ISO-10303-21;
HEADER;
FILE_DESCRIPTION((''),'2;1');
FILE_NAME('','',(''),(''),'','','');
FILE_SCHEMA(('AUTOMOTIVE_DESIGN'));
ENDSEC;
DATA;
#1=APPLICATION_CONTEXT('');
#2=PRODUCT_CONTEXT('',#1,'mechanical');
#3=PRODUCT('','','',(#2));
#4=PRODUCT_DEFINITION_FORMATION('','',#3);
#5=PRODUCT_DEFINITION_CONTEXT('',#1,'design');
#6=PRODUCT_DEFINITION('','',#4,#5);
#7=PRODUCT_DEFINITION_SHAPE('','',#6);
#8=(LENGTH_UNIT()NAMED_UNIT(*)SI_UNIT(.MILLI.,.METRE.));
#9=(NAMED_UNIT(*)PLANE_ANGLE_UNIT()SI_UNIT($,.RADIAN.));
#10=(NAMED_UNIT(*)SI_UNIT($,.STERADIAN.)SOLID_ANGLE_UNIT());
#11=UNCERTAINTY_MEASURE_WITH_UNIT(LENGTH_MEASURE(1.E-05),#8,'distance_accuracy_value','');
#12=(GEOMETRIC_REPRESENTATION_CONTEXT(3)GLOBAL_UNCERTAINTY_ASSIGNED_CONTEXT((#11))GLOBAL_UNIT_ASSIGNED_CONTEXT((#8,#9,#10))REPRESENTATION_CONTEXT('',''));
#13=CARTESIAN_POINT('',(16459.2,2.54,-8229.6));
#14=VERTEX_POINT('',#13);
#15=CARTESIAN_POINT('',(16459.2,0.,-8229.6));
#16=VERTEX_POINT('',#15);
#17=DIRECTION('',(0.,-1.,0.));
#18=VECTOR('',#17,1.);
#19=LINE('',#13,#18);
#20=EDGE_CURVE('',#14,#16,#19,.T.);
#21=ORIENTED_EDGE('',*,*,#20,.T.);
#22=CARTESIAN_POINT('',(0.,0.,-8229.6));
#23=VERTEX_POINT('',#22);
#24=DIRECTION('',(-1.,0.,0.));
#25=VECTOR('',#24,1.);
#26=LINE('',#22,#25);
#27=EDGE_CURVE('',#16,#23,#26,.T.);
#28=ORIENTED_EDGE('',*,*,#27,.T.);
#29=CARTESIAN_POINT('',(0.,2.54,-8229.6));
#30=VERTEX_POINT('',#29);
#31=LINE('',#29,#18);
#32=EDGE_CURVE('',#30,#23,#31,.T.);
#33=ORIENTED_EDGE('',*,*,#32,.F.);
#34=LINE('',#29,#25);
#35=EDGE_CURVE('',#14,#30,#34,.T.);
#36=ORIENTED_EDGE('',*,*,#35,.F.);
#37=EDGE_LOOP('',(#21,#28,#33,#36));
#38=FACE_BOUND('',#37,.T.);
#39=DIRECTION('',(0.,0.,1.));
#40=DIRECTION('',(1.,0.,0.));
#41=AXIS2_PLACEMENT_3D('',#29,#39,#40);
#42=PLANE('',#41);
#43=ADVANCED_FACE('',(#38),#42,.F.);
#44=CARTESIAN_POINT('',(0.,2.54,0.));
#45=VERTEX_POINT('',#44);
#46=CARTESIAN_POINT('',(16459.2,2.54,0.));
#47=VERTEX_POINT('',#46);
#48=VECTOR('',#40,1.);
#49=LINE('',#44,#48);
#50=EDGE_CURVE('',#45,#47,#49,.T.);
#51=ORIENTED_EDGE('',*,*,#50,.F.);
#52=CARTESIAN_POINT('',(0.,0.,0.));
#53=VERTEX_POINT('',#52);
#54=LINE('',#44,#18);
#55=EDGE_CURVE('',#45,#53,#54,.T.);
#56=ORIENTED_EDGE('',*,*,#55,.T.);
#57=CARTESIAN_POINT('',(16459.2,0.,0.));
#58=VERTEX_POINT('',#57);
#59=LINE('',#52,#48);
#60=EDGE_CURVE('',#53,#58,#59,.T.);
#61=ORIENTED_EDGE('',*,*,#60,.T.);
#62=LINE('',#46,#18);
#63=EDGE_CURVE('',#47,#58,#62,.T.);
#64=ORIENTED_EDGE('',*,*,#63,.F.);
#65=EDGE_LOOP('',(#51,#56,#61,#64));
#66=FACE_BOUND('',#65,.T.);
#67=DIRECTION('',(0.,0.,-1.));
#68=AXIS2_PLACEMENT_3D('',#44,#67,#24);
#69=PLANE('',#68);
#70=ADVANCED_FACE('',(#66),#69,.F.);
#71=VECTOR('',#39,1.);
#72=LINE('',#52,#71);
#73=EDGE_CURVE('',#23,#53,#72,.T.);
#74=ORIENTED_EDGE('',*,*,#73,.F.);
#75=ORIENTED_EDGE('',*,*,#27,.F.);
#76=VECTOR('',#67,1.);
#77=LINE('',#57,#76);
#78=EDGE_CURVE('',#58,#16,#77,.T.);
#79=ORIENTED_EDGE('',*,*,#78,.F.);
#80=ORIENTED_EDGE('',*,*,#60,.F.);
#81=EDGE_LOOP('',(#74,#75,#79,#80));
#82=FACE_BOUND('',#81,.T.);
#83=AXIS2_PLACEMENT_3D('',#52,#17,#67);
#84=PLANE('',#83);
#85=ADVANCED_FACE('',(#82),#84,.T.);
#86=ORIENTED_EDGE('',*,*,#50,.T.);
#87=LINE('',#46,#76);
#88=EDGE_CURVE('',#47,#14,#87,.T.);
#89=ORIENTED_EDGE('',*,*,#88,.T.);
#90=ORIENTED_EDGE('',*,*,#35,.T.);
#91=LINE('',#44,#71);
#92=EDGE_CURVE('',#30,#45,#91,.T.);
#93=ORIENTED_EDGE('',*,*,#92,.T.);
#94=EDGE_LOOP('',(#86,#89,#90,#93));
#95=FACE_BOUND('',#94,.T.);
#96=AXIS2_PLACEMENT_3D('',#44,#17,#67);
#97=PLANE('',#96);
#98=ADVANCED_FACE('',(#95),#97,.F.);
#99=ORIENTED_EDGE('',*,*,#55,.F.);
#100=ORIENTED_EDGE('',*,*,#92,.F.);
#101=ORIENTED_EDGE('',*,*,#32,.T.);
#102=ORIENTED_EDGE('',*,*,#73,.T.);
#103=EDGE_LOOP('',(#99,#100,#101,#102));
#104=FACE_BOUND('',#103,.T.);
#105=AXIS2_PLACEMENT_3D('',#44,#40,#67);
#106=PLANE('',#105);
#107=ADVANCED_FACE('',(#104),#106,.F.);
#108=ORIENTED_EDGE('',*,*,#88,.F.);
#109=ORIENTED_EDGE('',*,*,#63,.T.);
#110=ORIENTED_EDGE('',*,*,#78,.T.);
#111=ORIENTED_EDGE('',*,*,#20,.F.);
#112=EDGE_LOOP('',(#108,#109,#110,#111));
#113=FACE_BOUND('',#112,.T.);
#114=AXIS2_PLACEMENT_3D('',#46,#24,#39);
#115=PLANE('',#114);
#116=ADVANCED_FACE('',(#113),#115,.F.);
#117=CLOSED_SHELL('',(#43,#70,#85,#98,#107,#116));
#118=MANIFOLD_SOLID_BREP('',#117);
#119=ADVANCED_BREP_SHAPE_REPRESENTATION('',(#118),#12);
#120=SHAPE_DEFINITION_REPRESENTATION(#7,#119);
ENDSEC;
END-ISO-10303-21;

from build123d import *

# Parameters (mm, degrees)
SKETCH1_W           = 16459.2
SKETCH1_H           = 8229.6
BOSS_EXTRUDE1_DEPTH = 2.54


with BuildPart() as part:
    # Sketch1 → Boss-Extrude1 (new body)
    with BuildSketch(Plane(origin=(0, 0, 0), x_dir=(1, 0, 0), z_dir=(0, 1, 0))):
        with Locations((8229.6, 4114.8)):
            Rectangle(SKETCH1_W, SKETCH1_H)
    extrude(amount=BOSS_EXTRUDE1_DEPTH)


solid = part.part
